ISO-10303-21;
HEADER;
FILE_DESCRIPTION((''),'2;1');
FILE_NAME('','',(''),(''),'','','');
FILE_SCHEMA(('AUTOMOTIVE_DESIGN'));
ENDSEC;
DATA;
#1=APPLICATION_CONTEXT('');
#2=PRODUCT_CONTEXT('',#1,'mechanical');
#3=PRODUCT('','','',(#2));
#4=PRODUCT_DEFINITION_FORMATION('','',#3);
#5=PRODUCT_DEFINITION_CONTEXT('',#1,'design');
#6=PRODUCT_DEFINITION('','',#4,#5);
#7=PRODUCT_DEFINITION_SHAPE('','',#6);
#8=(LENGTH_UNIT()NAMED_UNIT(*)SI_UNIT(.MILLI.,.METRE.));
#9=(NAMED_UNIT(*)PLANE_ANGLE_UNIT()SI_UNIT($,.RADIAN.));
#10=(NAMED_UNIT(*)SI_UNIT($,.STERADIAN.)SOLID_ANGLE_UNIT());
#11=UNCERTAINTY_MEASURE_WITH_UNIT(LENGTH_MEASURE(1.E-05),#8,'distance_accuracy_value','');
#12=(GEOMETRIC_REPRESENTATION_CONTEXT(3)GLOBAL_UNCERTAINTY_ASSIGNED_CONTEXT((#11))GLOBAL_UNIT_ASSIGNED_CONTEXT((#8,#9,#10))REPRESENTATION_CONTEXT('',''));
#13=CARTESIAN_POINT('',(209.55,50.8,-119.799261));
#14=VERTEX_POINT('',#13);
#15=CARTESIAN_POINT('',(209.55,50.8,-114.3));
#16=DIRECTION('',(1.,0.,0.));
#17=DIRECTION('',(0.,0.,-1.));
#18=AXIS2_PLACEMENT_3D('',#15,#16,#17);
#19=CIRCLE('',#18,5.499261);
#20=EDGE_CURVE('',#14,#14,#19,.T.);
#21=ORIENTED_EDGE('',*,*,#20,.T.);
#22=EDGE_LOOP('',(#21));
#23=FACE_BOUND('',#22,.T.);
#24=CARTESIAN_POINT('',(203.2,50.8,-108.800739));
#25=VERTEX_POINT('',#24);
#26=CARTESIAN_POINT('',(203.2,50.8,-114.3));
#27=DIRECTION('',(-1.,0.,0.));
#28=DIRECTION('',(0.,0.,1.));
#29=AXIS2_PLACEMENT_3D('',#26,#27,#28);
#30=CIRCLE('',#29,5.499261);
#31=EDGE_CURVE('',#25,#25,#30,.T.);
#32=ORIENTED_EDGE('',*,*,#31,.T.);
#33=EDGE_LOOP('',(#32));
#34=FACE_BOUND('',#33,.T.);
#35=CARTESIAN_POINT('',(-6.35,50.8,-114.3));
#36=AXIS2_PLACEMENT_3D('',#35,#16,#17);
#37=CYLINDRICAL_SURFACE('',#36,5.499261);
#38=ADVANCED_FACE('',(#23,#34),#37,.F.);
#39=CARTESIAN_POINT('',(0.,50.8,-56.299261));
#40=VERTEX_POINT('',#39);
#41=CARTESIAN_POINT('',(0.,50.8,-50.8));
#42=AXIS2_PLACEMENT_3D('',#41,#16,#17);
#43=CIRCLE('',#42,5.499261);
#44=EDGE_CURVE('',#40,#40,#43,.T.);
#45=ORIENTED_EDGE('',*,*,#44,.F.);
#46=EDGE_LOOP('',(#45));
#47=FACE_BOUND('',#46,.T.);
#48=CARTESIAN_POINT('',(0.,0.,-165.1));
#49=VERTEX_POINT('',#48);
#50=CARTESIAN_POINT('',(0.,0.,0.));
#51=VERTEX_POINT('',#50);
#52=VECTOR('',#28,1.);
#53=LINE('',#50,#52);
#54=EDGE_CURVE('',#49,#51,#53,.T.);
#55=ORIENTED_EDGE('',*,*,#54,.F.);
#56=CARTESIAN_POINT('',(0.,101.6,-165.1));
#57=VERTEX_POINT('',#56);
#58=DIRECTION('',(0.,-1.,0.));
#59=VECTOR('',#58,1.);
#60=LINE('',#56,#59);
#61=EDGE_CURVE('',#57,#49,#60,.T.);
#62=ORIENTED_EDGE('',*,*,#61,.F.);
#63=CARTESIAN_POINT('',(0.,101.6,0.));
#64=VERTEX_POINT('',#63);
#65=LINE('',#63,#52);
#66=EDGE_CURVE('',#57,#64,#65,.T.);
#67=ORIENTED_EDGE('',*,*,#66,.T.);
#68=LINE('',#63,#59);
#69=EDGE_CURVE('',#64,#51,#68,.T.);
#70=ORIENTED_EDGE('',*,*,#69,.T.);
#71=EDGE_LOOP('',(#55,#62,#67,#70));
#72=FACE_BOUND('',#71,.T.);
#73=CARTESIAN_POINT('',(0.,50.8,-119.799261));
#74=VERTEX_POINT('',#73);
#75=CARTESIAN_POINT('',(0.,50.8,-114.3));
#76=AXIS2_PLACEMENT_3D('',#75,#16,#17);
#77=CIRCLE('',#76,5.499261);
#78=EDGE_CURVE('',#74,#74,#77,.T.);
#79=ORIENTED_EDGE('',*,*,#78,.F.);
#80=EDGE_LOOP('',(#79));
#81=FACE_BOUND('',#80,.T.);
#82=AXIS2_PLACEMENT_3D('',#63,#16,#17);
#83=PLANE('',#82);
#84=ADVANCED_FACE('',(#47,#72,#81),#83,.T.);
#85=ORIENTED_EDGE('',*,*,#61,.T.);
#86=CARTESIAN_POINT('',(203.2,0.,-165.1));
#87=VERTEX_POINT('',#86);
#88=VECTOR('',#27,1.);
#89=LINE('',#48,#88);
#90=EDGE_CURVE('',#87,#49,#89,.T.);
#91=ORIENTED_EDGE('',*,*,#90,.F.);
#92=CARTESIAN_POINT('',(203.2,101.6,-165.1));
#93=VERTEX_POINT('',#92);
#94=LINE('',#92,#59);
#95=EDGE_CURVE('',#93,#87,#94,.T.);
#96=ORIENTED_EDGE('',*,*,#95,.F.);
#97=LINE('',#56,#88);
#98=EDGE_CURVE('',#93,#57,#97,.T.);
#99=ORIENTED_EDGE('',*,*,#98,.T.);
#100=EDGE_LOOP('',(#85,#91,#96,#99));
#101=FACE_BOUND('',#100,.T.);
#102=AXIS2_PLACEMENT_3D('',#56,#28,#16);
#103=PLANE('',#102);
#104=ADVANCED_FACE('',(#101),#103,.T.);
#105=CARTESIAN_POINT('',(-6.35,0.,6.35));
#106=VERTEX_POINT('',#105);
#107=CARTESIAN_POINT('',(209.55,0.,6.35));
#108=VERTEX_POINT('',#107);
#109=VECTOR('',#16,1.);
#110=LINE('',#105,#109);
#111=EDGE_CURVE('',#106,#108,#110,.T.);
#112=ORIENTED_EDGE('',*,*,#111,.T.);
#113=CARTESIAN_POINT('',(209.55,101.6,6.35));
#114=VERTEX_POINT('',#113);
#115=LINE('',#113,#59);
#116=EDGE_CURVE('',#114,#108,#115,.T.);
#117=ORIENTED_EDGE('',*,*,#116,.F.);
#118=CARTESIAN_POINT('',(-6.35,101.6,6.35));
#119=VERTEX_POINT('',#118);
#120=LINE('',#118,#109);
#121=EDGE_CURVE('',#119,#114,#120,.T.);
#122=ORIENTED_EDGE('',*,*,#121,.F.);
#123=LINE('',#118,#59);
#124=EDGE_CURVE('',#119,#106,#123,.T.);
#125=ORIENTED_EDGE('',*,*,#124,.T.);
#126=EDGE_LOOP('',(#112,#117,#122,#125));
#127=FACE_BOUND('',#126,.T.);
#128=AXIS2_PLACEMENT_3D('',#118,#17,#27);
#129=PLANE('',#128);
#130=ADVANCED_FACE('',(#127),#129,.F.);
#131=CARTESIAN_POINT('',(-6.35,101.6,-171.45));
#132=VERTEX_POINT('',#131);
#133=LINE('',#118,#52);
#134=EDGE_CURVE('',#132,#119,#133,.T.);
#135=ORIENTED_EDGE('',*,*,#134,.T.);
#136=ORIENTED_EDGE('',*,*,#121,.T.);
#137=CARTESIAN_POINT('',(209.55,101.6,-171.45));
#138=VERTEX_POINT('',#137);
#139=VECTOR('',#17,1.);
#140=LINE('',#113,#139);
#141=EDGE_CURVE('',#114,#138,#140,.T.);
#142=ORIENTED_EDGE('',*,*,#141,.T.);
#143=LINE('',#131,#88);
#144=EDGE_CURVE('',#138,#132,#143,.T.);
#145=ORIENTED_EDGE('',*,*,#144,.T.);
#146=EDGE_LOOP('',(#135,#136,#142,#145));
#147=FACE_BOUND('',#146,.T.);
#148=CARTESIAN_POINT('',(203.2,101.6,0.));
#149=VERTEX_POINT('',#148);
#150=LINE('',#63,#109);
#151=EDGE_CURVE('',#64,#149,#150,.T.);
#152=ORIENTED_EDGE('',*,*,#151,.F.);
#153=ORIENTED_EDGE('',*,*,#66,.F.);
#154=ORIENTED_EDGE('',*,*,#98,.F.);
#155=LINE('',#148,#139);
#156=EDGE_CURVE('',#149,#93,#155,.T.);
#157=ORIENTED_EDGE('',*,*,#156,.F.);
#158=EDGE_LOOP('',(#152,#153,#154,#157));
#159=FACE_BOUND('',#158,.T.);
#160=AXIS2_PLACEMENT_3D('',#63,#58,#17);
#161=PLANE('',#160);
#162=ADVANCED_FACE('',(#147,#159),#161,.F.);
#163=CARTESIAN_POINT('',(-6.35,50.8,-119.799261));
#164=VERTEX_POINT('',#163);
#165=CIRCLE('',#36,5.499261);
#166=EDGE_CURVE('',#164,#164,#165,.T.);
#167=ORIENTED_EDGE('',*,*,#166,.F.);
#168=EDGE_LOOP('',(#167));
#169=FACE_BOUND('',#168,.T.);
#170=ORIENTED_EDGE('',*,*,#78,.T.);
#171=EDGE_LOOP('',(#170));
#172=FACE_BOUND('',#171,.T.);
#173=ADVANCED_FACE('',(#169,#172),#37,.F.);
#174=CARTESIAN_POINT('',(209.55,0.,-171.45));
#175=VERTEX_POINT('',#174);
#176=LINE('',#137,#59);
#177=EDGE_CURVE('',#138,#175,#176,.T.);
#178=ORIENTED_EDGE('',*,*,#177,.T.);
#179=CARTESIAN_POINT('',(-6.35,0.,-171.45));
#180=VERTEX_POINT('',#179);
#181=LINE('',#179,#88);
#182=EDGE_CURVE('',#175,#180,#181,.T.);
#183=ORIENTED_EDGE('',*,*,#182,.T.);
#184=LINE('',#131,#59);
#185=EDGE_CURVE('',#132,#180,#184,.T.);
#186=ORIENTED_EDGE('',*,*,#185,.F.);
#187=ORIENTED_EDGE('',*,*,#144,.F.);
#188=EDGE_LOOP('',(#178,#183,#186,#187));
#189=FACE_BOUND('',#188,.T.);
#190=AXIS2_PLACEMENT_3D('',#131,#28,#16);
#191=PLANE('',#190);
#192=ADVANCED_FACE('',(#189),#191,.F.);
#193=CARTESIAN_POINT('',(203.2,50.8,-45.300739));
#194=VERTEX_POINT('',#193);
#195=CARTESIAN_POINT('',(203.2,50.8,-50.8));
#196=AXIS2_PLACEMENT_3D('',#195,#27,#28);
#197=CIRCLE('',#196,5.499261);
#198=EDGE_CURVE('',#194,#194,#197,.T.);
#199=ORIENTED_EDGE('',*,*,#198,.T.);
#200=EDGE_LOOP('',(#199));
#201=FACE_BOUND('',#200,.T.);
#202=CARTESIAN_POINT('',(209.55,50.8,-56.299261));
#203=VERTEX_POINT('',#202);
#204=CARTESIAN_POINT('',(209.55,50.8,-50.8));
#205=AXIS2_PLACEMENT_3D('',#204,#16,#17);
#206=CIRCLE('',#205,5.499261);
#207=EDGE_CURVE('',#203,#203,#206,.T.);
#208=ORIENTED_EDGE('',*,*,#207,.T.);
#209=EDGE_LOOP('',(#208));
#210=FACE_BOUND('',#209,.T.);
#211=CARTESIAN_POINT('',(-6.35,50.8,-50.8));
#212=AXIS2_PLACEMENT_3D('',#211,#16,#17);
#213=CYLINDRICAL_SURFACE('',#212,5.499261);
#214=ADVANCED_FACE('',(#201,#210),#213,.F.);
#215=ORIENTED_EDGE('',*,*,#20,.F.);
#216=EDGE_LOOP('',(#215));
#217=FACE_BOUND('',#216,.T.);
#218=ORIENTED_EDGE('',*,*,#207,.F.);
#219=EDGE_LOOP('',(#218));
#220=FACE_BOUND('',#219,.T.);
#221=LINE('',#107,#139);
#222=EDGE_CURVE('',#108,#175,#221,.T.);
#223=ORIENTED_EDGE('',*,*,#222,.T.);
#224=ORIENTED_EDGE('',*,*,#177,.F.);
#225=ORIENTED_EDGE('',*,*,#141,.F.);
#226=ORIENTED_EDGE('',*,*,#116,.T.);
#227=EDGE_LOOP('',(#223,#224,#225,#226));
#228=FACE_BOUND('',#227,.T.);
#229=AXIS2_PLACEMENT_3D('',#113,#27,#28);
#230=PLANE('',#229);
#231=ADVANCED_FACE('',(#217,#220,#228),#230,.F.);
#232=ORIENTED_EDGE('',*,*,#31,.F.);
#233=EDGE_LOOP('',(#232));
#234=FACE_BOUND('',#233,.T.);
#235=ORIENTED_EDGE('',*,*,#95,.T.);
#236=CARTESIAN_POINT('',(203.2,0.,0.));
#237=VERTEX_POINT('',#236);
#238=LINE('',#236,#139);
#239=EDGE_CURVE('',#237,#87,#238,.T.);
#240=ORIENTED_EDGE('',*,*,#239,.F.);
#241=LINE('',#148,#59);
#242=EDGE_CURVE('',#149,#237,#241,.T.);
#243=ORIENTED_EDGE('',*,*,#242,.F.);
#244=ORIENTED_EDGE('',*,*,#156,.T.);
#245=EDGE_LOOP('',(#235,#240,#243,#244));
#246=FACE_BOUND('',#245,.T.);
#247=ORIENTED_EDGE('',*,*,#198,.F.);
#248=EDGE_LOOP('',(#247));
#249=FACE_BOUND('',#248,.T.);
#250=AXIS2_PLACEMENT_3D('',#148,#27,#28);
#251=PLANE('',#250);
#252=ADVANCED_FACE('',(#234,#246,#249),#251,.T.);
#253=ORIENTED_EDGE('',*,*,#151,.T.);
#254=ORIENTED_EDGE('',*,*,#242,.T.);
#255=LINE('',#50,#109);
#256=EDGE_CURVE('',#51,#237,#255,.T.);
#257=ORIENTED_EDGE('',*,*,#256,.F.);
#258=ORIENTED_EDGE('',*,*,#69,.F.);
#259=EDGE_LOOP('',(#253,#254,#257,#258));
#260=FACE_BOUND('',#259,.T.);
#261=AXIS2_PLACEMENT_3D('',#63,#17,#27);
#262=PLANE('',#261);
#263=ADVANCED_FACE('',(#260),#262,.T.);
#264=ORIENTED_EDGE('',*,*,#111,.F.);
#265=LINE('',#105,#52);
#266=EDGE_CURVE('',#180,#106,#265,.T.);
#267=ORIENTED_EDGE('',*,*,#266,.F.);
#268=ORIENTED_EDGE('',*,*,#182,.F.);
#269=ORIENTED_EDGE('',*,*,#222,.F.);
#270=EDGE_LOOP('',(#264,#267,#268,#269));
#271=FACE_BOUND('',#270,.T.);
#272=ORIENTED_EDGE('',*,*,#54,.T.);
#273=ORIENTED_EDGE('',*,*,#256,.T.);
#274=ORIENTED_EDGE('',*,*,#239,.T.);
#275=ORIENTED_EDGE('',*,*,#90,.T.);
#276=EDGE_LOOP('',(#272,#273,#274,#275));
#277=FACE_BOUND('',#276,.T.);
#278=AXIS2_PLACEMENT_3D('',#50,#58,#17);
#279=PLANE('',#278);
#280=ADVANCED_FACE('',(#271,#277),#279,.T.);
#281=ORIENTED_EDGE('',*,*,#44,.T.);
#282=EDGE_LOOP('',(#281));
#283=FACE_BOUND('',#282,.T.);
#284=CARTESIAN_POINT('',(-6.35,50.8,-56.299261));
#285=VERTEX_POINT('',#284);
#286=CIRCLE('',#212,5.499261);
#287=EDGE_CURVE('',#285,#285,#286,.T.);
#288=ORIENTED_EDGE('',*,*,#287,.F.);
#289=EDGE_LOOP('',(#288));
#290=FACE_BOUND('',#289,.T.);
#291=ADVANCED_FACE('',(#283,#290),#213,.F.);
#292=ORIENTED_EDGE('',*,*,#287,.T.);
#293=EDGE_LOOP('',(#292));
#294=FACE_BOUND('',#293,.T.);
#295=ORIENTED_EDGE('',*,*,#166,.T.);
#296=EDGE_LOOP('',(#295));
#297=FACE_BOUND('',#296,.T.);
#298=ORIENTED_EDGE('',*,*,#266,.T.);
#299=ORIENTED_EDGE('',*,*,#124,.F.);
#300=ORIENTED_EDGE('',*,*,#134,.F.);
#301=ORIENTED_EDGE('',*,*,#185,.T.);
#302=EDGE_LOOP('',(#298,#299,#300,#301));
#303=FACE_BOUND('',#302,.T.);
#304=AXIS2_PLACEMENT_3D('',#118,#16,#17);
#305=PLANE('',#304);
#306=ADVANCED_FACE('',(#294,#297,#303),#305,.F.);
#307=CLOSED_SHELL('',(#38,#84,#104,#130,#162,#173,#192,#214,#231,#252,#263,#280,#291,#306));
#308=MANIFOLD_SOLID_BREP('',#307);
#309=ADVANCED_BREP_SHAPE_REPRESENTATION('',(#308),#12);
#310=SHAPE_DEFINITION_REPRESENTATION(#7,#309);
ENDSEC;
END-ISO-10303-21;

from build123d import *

# Parameters (mm, degrees)
SKETCH1_W           = 215.9
SKETCH1_H           = 177.8
SKETCH1_W_2         = 203.2
SKETCH1_H_2         = 165.1
BOSS_EXTRUDE1_DEPTH = 101.6
SKETCH2_R           = 5.499261314
CUT_EXTRUDE1_DEPTH  = 294.820476652


with BuildPart() as part:
    # Sketch1 → Boss-Extrude1 (new body)
    with BuildSketch(Plane(origin=(0, 0, 0), x_dir=(1, 0, 0), z_dir=(0, 1, 0))):
        with Locations((101.6, 82.55)):
            Rectangle(SKETCH1_W, SKETCH1_H)
        with Locations((101.6, 82.55)):
            Rectangle(SKETCH1_W_2, SKETCH1_H_2, mode=Mode.SUBTRACT)
    extrude(amount=BOSS_EXTRUDE1_DEPTH)

    # Sketch2 → Cut-Extrude1 (cut, through all)
    with BuildSketch(Plane(origin=(209.55, 0, 0), x_dir=(0, 0, -1), z_dir=(1, 0, 0))):
        with Locations((50.8, 50.8)):
            Circle(SKETCH2_R)
        with Locations((114.3, 50.8)):
            Circle(SKETCH2_R)
    extrude(amount=-CUT_EXTRUDE1_DEPTH, mode=Mode.SUBTRACT)


solid = part.part
